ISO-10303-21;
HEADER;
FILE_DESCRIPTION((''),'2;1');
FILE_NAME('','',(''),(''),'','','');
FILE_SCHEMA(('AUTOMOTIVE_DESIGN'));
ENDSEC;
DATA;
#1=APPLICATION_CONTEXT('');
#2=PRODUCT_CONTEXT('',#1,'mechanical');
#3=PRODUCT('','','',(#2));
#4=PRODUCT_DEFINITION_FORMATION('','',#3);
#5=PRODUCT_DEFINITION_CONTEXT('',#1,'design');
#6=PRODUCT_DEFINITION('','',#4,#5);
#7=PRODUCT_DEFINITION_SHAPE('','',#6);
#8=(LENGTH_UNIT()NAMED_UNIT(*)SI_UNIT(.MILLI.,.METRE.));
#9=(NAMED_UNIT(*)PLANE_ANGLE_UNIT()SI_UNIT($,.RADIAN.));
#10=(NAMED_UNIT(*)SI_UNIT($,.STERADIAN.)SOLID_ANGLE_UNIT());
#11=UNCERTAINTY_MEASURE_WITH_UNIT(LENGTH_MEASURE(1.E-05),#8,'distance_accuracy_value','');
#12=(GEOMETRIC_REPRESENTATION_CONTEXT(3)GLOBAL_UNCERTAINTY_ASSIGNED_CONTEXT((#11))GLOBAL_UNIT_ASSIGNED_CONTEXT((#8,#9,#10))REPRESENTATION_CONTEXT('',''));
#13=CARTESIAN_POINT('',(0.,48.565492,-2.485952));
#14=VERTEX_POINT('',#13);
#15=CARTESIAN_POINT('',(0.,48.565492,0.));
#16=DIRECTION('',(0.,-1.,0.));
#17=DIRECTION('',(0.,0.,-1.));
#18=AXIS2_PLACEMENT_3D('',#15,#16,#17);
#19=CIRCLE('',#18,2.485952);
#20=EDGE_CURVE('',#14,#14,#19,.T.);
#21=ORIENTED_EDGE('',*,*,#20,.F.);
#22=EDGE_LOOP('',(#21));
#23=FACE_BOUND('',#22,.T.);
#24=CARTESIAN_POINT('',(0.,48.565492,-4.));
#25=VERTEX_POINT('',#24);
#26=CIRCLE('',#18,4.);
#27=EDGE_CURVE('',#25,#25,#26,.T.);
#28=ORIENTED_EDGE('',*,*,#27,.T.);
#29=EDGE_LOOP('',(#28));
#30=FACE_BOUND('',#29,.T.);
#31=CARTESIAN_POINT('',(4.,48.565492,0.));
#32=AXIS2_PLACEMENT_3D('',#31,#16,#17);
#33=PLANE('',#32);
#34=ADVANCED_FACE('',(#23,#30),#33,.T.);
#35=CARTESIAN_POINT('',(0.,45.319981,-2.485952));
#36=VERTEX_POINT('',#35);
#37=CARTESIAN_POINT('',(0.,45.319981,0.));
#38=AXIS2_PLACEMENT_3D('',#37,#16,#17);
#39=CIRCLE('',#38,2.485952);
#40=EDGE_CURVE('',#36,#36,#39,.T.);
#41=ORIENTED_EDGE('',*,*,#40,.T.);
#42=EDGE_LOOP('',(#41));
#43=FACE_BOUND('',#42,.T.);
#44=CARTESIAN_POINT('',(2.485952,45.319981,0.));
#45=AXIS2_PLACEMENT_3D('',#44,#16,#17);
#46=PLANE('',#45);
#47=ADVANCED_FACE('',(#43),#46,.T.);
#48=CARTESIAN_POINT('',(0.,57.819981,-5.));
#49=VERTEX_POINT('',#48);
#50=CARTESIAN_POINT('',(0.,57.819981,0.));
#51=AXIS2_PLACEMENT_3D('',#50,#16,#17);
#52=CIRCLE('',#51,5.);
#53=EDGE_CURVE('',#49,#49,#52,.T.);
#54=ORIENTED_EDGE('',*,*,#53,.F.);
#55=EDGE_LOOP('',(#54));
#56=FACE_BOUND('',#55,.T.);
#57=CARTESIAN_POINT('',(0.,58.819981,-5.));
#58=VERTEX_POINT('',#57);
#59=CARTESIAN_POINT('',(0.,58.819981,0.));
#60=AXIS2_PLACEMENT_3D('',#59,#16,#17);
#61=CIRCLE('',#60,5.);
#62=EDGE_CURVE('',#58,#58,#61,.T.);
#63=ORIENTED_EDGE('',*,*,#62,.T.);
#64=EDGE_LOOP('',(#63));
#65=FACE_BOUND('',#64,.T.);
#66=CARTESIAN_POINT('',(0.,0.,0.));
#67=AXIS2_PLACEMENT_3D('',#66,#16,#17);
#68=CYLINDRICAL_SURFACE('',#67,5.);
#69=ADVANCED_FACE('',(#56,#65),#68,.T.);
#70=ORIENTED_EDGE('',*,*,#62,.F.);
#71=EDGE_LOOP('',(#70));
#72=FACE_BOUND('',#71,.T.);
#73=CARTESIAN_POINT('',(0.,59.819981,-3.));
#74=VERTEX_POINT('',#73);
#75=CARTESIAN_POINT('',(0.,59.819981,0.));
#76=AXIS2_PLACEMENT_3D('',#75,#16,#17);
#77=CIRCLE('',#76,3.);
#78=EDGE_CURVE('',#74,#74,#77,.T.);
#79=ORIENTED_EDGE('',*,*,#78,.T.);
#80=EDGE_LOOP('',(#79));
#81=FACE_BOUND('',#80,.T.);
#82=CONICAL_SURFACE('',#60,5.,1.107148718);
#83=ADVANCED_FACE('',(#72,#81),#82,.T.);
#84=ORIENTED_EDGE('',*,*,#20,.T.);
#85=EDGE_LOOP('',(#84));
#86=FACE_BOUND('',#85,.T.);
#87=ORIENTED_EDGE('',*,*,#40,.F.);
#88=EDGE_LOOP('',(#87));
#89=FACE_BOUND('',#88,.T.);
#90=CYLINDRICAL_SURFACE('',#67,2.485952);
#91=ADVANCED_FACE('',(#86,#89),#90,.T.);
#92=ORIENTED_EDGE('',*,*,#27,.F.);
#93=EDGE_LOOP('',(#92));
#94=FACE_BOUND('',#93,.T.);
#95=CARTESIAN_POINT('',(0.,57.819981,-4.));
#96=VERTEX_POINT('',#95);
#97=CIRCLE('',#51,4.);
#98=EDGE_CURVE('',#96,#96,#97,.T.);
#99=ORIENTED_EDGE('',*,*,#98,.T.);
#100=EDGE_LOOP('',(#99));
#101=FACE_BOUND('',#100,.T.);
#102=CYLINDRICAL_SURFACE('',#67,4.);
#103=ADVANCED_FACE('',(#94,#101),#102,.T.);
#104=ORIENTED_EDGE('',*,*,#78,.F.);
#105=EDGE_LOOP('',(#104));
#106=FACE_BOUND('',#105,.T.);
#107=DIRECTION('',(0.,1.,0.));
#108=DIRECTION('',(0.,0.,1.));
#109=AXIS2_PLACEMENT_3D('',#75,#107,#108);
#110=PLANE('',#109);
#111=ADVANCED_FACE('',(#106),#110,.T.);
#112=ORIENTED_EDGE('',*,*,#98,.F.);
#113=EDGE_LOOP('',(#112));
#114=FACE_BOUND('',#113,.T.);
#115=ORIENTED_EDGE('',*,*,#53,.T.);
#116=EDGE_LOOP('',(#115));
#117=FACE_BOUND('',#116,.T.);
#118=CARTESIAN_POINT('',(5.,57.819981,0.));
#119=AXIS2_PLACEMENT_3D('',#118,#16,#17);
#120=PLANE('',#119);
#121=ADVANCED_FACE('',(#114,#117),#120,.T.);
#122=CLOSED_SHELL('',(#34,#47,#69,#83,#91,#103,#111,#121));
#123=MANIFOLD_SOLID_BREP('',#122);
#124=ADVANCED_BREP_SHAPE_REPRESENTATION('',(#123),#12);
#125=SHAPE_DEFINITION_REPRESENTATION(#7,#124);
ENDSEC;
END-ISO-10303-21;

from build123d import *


with BuildPart() as part:
    # Esquisse1 → Révolution1 (revolve)
    with BuildSketch(Plane.XY, mode=Mode.PRIVATE) as r_volution1_sk:
        Polygon((0, 59.819980708), (3, 59.819980708), (5, 58.819980708), (5, 57.819980708), (4, 57.819980708), (4, 48.565491805), (2.485951674, 48.565491805), (2.485951674, 45.319980708), (0, 45.319980708), align=None)
    revolve(r_volution1_sk.sketch.rotate(Axis((0, 0, 0), (0, 1, 0)), 90), axis=Axis((0, 0, 0), (0, 1, 0)))


solid = part.part
